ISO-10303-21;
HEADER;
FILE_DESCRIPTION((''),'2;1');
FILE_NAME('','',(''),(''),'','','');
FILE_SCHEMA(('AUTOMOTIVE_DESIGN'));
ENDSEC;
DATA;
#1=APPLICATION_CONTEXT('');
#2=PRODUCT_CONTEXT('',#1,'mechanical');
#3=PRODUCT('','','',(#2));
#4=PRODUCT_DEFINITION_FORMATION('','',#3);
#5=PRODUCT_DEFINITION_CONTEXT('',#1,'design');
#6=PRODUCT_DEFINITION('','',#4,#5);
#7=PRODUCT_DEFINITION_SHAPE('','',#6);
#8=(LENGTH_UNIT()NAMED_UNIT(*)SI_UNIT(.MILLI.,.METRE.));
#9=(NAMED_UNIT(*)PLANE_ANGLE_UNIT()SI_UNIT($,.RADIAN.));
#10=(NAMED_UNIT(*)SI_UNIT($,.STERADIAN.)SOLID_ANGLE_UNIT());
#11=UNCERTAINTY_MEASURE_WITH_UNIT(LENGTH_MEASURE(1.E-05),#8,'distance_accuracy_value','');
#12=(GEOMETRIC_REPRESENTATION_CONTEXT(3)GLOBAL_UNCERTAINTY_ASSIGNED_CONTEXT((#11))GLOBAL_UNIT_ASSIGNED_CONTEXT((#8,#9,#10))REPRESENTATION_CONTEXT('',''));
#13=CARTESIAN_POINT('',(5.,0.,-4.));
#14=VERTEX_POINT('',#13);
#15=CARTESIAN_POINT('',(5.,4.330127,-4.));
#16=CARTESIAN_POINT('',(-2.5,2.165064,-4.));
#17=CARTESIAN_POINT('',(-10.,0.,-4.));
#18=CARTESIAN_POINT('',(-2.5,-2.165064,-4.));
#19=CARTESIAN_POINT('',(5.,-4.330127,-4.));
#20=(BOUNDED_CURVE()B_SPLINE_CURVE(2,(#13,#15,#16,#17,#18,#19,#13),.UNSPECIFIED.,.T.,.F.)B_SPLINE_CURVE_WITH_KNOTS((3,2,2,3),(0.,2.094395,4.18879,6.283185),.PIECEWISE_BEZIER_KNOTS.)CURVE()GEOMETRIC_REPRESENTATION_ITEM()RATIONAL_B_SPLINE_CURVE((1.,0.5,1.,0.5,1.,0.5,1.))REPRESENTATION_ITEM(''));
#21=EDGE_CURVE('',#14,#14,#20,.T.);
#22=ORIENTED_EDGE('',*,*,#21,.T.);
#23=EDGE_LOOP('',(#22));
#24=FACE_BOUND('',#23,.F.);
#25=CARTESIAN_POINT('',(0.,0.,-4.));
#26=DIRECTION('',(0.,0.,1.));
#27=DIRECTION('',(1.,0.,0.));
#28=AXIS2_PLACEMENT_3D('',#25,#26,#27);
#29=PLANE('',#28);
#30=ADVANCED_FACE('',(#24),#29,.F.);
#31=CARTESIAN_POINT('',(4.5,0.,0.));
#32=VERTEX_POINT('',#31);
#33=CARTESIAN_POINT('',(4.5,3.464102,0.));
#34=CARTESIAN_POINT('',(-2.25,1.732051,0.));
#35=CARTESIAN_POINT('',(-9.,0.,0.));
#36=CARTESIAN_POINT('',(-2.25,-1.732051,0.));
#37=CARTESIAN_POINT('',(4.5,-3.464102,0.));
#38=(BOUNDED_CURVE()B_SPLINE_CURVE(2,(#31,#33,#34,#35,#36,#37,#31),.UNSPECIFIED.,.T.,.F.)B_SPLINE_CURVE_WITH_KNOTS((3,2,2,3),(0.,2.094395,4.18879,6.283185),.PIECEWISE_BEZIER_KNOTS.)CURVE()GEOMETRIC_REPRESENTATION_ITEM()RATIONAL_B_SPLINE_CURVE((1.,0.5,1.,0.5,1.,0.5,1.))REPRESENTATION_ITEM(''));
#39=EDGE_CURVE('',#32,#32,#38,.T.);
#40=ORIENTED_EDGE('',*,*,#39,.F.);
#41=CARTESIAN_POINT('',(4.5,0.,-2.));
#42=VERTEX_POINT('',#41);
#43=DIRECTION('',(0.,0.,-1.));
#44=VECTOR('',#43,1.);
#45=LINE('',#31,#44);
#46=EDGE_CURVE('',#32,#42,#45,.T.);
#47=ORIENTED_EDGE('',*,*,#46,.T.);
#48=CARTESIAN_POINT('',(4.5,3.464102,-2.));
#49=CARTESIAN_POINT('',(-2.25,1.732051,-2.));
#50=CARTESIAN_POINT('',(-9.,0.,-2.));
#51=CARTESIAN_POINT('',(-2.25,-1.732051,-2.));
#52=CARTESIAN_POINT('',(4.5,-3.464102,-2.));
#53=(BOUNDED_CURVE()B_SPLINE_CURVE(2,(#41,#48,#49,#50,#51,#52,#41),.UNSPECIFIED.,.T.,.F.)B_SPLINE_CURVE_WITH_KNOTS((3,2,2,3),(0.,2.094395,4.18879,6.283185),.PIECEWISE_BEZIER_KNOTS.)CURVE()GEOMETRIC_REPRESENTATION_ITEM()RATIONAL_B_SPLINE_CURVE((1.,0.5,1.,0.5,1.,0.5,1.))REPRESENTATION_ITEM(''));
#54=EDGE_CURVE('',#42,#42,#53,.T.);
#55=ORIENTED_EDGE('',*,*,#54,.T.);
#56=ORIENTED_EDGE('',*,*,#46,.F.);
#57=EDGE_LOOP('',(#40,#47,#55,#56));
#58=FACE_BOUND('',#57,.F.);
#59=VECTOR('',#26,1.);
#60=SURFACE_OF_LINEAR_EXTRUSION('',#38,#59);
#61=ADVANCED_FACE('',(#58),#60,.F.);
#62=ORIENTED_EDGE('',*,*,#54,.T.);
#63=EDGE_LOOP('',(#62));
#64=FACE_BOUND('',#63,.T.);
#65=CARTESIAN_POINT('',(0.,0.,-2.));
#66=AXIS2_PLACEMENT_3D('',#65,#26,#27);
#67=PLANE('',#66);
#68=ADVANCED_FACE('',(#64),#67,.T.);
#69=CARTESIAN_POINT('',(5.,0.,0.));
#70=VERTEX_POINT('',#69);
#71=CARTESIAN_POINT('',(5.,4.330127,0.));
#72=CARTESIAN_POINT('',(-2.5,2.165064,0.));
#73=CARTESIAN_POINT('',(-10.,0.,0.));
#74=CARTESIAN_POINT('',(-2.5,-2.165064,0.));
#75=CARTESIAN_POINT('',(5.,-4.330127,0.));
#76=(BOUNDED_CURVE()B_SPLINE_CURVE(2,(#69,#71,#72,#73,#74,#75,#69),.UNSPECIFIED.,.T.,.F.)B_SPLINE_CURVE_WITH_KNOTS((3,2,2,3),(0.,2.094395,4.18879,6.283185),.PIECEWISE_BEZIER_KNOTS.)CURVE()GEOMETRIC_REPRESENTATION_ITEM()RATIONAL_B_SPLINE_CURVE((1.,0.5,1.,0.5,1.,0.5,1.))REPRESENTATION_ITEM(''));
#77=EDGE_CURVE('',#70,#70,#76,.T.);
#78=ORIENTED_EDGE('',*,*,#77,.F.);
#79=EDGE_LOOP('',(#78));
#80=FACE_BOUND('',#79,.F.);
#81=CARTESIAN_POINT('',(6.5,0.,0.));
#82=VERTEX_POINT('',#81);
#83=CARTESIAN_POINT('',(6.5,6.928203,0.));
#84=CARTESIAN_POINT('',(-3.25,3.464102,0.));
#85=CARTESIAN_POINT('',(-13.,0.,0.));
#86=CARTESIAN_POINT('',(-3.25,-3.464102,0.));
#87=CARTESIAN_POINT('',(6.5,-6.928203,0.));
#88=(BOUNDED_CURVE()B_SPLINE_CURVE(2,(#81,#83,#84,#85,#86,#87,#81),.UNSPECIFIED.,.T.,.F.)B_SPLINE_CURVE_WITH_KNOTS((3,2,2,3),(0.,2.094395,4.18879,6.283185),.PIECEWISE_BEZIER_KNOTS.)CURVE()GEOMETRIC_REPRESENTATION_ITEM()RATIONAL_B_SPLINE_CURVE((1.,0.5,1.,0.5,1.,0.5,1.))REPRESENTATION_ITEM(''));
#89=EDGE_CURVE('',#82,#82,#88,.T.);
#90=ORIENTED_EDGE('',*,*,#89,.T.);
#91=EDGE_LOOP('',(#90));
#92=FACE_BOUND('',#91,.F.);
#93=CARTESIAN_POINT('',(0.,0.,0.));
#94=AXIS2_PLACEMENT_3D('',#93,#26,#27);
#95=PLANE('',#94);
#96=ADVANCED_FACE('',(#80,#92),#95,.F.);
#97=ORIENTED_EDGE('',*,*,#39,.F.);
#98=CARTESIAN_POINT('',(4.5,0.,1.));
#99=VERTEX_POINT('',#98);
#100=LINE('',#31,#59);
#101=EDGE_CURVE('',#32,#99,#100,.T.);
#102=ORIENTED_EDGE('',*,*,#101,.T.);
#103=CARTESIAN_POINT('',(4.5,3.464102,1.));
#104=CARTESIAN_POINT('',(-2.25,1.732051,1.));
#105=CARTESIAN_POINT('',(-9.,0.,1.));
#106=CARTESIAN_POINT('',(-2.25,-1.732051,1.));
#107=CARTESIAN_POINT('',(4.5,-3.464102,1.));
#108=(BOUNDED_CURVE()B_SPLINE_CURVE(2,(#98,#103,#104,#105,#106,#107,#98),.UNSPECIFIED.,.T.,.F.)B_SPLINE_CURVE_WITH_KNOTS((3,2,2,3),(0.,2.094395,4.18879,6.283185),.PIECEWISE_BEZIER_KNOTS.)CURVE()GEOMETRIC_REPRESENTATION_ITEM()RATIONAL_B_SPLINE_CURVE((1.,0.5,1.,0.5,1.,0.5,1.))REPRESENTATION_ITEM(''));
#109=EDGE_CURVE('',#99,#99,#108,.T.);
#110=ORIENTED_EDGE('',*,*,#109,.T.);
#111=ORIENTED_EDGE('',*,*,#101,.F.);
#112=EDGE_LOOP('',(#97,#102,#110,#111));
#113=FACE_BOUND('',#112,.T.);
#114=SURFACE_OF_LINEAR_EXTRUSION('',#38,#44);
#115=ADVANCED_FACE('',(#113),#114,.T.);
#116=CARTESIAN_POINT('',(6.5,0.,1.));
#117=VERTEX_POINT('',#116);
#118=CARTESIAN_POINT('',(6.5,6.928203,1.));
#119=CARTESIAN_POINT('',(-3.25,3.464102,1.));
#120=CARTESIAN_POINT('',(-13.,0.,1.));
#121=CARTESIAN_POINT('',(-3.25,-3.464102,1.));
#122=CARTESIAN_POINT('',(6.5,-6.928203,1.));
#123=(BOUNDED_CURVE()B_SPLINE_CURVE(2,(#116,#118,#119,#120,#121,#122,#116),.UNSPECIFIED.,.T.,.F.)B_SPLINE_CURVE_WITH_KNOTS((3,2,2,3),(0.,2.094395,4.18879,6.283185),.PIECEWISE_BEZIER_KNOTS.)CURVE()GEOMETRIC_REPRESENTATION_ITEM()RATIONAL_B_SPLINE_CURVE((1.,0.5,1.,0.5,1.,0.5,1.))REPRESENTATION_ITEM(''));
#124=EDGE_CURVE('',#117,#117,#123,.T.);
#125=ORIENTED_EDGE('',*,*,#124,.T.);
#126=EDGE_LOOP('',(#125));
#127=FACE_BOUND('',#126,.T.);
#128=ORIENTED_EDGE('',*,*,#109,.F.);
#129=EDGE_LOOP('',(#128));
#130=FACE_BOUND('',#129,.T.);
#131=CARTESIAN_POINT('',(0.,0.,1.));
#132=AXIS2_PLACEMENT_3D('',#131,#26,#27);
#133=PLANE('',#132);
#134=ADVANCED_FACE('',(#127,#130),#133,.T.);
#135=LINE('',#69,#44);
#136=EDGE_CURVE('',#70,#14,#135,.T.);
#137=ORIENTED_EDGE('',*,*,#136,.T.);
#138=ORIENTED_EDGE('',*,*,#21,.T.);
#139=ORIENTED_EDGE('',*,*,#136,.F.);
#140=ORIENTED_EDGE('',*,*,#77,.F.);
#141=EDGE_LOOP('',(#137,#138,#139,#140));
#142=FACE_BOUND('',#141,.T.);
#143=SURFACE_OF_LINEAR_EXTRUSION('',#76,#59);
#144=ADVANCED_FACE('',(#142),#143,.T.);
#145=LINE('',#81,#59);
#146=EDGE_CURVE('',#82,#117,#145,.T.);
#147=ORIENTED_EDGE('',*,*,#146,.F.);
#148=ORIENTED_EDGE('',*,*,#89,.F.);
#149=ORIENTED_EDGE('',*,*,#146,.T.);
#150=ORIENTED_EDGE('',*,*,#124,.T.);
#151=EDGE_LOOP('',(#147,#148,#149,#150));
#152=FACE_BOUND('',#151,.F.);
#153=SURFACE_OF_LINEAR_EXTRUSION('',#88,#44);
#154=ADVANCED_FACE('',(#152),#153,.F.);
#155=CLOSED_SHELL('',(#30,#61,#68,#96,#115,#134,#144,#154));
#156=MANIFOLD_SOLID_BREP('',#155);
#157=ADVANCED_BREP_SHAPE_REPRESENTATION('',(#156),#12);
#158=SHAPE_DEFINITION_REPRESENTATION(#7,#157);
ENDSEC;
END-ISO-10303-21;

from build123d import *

# Parameters (mm, degrees)
F1_DEPTH = 1
F2_DEPTH = 4
F3_DEPTH = 2


with BuildPart() as f1:
    # F0 (on Top) → F1 (new body)
    with BuildSketch(Plane.XY):
        with BuildLine():
            add(Edge.make_bspline(
                [(6.5, 0), (6.5, 6.928203), (-3.25, 3.464102), (-13, 0), (-3.25, -3.464102), (6.5, -6.928203), (6.5, 0)],
                knots=[0, 0, 0, 2.094395, 2.094395, 4.18879, 4.18879, 6.283185, 6.283185, 6.283185], degree=2, weights=[1, 0.5, 1, 0.5, 1, 0.5, 1]))
        make_face()
        with BuildLine():
            add(Edge.make_bspline(
                [(5, 0), (5, 4.330127), (-2.5, 2.165064), (-10, 0), (-2.5, -2.165064), (5, -4.330127), (5, 0)],
                knots=[0, 0, 0, 2.094395, 2.094395, 4.18879, 4.18879, 6.283185, 6.283185, 6.283185], degree=2, weights=[1, 0.5, 1, 0.5, 1, 0.5, 1]))
        make_face(mode=Mode.SUBTRACT)
        with BuildLine():
            add(Edge.make_bspline(
                [(5, 0), (5, 4.330127), (-2.5, 2.165064), (-10, 0), (-2.5, -2.165064), (5, -4.330127), (5, 0)],
                knots=[0, 0, 0, 2.094395, 2.094395, 4.18879, 4.18879, 6.283185, 6.283185, 6.283185], degree=2, weights=[1, 0.5, 1, 0.5, 1, 0.5, 1]))
        make_face()
        with BuildLine():
            add(Edge.make_bspline(
                [(4.5, 0), (4.5, 3.464102), (-2.25, 1.732051), (-9, 0), (-2.25, -1.732051), (4.5, -3.464102), (4.5, 0)],
                knots=[0, 0, 0, 2.094395, 2.094395, 4.18879, 4.18879, 6.283185, 6.283185, 6.283185], degree=2, weights=[1, 0.5, 1, 0.5, 1, 0.5, 1]))
        make_face(mode=Mode.SUBTRACT)
    extrude(amount=F1_DEPTH)

    # F0 (on Top) → F2 (join)
    with BuildSketch(Plane.XY):
        with BuildLine():
            add(Edge.make_bspline(
                [(5, 0), (5, 4.330127), (-2.5, 2.165064), (-10, 0), (-2.5, -2.165064), (5, -4.330127), (5, 0)],
                knots=[0, 0, 0, 2.094395, 2.094395, 4.18879, 4.18879, 6.283185, 6.283185, 6.283185], degree=2, weights=[1, 0.5, 1, 0.5, 1, 0.5, 1]))
        make_face()
        with BuildLine():
            add(Edge.make_bspline(
                [(4.5, 0), (4.5, 3.464102), (-2.25, 1.732051), (-9, 0), (-2.25, -1.732051), (4.5, -3.464102), (4.5, 0)],
                knots=[0, 0, 0, 2.094395, 2.094395, 4.18879, 4.18879, 6.283185, 6.283185, 6.283185], degree=2, weights=[1, 0.5, 1, 0.5, 1, 0.5, 1]))
        make_face(mode=Mode.SUBTRACT)
        with BuildLine():
            add(Edge.make_bspline(
                [(4.5, 0), (4.5, 3.464102), (-2.25, 1.732051), (-9, 0), (-2.25, -1.732051), (4.5, -3.464102), (4.5, 0)],
                knots=[0, 0, 0, 2.094395, 2.094395, 4.18879, 4.18879, 6.283185, 6.283185, 6.283185], degree=2, weights=[1, 0.5, 1, 0.5, 1, 0.5, 1]))
        make_face()
    extrude(amount=-F2_DEPTH)

    # F0 (on Top) → F3 (cut)
    with BuildSketch(Plane.XY):
        with BuildLine():
            add(Edge.make_bspline(
                [(4.5, 0), (4.5, 3.464102), (-2.25, 1.732051), (-9, 0), (-2.25, -1.732051), (4.5, -3.464102), (4.5, 0)],
                knots=[0, 0, 0, 2.094395, 2.094395, 4.18879, 4.18879, 6.283185, 6.283185, 6.283185], degree=2, weights=[1, 0.5, 1, 0.5, 1, 0.5, 1]))
        make_face()
    extrude(amount=-F3_DEPTH, mode=Mode.SUBTRACT)


solid = f1.part
